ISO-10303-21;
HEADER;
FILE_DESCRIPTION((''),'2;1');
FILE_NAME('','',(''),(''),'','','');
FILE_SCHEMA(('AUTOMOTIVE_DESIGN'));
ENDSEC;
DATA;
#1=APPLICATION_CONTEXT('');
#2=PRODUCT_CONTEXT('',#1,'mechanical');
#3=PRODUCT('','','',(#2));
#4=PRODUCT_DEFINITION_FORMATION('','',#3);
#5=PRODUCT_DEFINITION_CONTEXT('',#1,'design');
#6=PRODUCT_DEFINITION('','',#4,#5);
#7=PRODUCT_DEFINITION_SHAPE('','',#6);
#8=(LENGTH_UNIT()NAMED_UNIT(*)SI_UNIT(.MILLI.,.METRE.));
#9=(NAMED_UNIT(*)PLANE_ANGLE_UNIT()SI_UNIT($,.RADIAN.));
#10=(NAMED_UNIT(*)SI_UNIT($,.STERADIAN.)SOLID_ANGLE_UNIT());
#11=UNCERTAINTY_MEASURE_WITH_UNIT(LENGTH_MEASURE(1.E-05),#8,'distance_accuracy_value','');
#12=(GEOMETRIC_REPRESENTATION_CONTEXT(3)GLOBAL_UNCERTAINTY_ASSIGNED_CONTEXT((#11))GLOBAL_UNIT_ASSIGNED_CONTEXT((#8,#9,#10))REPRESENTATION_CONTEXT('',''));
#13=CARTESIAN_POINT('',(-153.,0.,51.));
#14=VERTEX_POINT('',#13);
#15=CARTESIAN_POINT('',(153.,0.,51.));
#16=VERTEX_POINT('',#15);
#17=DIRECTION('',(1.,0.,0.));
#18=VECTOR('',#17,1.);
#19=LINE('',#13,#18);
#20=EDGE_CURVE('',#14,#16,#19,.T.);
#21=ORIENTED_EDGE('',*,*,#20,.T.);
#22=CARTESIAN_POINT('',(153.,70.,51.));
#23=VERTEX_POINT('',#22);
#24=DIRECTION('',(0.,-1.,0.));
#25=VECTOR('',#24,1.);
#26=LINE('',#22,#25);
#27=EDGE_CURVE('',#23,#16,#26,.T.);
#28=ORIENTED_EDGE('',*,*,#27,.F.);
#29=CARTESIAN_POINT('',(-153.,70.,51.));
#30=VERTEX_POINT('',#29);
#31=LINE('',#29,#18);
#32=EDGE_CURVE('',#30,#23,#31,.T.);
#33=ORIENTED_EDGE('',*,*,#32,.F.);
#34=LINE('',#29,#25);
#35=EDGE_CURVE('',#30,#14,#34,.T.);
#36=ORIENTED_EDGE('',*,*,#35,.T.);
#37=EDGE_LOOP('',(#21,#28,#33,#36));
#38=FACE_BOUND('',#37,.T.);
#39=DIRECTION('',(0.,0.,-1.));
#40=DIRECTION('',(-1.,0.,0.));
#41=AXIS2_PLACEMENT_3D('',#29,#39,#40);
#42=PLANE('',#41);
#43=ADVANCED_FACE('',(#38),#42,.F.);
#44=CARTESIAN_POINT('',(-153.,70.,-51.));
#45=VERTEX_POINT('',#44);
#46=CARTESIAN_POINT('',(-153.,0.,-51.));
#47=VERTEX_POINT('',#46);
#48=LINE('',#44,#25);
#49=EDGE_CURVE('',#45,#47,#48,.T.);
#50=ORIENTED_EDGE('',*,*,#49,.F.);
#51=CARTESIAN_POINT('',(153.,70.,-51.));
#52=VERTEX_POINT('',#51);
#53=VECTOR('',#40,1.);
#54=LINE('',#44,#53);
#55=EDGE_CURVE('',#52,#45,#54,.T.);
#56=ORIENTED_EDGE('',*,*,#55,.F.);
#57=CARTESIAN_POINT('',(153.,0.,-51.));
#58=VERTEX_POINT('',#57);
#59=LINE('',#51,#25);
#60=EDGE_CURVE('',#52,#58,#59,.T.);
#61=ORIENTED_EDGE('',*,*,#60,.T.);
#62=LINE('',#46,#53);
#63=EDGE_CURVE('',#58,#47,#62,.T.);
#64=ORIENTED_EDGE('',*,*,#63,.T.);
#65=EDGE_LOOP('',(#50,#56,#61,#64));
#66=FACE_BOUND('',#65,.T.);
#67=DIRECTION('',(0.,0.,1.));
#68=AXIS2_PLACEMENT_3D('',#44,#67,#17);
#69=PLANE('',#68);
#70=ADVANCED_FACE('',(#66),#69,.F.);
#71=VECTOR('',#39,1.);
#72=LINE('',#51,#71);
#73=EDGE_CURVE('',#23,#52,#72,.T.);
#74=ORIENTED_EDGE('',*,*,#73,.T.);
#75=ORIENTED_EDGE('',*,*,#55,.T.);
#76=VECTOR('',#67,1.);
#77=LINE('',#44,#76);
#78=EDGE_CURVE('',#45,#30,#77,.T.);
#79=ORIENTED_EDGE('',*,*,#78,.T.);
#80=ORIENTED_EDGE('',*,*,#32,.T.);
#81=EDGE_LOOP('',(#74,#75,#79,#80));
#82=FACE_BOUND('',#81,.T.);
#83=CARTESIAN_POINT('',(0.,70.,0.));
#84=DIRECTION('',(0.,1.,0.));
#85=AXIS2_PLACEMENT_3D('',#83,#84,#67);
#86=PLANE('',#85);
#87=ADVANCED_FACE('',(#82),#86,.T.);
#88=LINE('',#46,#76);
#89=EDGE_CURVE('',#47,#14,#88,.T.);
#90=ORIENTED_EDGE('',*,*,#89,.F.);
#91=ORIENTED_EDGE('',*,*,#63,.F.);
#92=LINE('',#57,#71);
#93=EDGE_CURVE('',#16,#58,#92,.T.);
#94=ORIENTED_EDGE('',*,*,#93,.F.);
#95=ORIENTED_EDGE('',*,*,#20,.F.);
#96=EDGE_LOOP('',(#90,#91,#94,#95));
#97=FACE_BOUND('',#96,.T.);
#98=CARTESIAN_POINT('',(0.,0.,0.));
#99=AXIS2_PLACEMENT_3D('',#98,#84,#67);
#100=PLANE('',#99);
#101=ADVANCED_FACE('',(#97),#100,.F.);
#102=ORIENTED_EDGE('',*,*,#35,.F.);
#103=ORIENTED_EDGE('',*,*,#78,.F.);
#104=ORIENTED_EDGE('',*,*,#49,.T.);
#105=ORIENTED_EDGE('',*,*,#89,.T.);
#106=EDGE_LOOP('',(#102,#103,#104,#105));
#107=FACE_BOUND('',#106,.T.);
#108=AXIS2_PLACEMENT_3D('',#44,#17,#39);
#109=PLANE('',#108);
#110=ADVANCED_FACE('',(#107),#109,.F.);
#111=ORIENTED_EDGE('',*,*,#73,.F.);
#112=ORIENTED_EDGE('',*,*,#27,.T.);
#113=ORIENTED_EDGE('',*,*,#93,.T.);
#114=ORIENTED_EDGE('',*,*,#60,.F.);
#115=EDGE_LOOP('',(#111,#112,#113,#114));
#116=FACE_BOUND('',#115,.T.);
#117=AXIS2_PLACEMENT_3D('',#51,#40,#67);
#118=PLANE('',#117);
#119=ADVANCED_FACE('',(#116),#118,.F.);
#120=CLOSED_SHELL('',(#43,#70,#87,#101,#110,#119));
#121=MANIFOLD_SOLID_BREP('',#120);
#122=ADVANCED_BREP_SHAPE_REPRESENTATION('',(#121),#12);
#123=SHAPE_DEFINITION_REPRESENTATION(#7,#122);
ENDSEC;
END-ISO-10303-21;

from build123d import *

# Parameters (mm, degrees)
SKETCH1_W           = 306
SKETCH1_H           = 102
BOSS_EXTRUDE1_DEPTH = 70


with BuildPart() as part:
    # Sketch1 → Boss-Extrude1 (new body)
    with BuildSketch(Plane(origin=(0, 0, 0), x_dir=(1, 0, 0), z_dir=(0, 1, 0))):
        Rectangle(SKETCH1_W, SKETCH1_H)
    extrude(amount=BOSS_EXTRUDE1_DEPTH)


solid = part.part
